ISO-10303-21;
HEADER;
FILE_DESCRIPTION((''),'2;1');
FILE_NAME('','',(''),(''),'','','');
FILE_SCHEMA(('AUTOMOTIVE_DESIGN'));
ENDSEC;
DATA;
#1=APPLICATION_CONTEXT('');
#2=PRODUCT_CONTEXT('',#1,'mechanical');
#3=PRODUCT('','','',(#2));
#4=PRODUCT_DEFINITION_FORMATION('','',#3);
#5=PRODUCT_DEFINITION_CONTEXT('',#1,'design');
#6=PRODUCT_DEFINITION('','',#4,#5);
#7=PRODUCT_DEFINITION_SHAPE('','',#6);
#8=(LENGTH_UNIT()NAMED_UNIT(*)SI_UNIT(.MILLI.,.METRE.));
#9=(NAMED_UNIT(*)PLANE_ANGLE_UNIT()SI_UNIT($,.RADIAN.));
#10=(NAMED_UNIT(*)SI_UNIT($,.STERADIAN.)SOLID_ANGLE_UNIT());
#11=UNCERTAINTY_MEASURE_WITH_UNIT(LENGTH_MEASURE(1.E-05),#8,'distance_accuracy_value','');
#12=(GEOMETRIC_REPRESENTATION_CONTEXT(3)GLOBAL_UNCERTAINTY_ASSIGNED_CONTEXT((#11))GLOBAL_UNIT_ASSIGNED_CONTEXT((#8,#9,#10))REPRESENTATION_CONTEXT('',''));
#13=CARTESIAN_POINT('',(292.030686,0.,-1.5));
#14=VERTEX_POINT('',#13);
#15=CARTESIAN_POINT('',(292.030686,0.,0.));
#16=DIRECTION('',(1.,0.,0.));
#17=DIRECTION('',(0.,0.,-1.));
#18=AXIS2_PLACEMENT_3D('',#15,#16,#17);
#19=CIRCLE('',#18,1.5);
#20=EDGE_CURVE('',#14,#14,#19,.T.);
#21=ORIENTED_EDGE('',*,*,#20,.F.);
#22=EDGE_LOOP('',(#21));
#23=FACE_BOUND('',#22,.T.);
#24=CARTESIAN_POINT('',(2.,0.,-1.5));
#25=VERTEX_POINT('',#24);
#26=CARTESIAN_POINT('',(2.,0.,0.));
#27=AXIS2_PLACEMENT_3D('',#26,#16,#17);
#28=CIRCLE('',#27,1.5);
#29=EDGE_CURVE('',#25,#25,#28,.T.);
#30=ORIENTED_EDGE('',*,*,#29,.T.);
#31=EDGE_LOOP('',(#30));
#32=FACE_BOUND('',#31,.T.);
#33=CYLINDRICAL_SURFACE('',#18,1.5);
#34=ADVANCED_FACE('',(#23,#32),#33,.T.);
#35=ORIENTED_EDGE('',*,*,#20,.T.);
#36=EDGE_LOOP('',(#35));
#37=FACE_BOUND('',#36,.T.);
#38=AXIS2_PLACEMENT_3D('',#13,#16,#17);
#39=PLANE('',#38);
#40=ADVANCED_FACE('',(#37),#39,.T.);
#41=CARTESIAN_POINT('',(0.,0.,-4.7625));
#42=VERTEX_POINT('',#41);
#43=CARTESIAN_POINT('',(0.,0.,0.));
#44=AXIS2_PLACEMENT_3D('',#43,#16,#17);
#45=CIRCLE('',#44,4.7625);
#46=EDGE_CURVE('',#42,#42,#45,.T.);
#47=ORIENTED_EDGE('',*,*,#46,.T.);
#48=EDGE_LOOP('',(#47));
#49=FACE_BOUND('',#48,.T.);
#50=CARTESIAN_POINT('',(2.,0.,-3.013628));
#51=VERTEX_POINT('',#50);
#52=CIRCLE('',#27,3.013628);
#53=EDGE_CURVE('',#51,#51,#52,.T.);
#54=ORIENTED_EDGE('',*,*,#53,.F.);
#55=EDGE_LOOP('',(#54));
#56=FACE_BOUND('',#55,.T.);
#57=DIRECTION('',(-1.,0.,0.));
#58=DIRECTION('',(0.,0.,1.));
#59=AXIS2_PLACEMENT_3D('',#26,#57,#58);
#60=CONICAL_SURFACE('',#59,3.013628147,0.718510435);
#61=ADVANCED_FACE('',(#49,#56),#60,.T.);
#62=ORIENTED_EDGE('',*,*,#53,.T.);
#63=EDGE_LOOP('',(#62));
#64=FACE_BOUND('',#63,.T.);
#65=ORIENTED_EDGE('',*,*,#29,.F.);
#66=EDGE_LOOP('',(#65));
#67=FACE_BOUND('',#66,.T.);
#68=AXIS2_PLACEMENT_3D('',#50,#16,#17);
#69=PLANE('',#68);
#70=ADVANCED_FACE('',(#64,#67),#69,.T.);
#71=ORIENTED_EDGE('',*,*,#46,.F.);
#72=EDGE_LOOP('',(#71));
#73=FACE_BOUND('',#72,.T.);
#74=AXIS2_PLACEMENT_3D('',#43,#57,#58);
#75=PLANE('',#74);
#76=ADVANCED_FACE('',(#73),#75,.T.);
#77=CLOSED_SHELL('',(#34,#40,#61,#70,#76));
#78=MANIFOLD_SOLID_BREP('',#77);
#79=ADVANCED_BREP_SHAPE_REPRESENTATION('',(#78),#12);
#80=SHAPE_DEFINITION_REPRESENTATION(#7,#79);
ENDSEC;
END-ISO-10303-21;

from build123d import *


with BuildPart() as part:
    # Sketch1 → Revolve1 (revolve)
    with BuildSketch(Plane(origin=(0, 0, 0), x_dir=(1, 0, 0), z_dir=(0, 1, 0))):
        Polygon((0, 0), (0, 4.7625), (2, 3.013628147), (2, 1.5), (292.030686223, 1.5), (292.030686223, 0), align=None)
    revolve(axis=Axis((292.030686223, 0, 0), (-1, 0, 0)))


solid = part.part
